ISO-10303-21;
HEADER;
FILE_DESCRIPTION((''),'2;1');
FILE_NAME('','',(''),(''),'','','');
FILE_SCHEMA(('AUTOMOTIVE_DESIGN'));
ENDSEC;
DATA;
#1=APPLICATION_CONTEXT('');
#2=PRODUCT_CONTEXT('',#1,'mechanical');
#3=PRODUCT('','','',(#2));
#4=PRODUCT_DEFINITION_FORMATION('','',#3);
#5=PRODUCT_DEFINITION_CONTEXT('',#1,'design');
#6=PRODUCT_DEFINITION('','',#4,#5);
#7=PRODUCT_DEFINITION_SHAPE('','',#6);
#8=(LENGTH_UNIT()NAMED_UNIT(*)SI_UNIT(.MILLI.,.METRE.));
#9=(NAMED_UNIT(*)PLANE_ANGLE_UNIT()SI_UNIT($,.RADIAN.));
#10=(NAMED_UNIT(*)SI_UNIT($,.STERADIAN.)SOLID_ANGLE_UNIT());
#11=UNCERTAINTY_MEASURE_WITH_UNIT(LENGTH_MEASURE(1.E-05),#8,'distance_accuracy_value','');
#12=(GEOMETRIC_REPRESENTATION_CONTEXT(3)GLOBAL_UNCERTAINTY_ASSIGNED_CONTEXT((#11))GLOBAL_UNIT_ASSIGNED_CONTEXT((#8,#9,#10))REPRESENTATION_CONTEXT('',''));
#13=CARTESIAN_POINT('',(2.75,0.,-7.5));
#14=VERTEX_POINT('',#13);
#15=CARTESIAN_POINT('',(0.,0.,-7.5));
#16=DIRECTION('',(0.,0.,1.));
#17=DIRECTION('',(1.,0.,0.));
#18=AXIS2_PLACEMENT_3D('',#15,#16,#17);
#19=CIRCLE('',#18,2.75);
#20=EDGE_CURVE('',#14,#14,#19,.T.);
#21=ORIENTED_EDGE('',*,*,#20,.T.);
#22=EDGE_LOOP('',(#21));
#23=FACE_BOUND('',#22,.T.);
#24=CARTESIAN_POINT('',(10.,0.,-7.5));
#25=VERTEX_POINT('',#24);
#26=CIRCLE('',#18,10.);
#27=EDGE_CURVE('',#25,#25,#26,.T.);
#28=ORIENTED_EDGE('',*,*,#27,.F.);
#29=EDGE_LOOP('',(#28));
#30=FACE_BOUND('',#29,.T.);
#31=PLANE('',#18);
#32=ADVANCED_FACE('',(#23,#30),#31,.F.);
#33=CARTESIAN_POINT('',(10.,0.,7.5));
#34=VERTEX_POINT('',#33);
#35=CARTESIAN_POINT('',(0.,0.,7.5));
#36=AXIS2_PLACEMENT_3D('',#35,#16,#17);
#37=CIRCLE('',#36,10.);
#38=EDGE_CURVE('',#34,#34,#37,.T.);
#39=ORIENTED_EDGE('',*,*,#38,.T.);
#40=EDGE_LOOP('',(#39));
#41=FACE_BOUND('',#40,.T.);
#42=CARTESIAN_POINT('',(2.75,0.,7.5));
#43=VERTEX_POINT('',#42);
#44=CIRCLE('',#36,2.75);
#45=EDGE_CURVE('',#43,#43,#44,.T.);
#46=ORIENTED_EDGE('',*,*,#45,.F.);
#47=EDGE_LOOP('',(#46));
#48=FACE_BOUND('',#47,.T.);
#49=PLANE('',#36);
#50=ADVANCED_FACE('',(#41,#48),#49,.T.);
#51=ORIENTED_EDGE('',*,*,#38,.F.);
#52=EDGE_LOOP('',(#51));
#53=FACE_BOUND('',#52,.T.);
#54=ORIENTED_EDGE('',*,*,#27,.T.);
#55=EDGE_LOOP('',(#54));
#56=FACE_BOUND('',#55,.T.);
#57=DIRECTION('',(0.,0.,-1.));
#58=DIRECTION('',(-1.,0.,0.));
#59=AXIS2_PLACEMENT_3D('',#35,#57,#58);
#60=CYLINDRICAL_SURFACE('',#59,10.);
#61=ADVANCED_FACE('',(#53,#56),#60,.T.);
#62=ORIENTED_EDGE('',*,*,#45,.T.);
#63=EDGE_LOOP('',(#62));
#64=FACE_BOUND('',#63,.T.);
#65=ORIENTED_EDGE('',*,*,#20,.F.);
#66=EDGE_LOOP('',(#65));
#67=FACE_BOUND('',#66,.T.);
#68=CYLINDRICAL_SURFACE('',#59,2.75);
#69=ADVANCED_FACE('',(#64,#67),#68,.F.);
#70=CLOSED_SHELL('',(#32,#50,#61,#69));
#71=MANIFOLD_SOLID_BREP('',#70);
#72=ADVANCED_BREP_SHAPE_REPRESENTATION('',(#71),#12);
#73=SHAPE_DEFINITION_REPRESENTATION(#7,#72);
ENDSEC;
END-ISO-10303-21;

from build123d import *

# Parameters (mm, degrees)
SKETCH1_R           = 10
SKETCH1_R_2         = 2.75
BOSS_EXTRUDE1_DEPTH = 7.5


with BuildPart() as part:
    # Sketch1 → Boss-Extrude1 (new, symmetric)
    with BuildSketch(Plane.XY):
        Circle(SKETCH1_R)
        Circle(SKETCH1_R_2, mode=Mode.SUBTRACT)
    extrude(amount=BOSS_EXTRUDE1_DEPTH, both=True)


solid = part.part
